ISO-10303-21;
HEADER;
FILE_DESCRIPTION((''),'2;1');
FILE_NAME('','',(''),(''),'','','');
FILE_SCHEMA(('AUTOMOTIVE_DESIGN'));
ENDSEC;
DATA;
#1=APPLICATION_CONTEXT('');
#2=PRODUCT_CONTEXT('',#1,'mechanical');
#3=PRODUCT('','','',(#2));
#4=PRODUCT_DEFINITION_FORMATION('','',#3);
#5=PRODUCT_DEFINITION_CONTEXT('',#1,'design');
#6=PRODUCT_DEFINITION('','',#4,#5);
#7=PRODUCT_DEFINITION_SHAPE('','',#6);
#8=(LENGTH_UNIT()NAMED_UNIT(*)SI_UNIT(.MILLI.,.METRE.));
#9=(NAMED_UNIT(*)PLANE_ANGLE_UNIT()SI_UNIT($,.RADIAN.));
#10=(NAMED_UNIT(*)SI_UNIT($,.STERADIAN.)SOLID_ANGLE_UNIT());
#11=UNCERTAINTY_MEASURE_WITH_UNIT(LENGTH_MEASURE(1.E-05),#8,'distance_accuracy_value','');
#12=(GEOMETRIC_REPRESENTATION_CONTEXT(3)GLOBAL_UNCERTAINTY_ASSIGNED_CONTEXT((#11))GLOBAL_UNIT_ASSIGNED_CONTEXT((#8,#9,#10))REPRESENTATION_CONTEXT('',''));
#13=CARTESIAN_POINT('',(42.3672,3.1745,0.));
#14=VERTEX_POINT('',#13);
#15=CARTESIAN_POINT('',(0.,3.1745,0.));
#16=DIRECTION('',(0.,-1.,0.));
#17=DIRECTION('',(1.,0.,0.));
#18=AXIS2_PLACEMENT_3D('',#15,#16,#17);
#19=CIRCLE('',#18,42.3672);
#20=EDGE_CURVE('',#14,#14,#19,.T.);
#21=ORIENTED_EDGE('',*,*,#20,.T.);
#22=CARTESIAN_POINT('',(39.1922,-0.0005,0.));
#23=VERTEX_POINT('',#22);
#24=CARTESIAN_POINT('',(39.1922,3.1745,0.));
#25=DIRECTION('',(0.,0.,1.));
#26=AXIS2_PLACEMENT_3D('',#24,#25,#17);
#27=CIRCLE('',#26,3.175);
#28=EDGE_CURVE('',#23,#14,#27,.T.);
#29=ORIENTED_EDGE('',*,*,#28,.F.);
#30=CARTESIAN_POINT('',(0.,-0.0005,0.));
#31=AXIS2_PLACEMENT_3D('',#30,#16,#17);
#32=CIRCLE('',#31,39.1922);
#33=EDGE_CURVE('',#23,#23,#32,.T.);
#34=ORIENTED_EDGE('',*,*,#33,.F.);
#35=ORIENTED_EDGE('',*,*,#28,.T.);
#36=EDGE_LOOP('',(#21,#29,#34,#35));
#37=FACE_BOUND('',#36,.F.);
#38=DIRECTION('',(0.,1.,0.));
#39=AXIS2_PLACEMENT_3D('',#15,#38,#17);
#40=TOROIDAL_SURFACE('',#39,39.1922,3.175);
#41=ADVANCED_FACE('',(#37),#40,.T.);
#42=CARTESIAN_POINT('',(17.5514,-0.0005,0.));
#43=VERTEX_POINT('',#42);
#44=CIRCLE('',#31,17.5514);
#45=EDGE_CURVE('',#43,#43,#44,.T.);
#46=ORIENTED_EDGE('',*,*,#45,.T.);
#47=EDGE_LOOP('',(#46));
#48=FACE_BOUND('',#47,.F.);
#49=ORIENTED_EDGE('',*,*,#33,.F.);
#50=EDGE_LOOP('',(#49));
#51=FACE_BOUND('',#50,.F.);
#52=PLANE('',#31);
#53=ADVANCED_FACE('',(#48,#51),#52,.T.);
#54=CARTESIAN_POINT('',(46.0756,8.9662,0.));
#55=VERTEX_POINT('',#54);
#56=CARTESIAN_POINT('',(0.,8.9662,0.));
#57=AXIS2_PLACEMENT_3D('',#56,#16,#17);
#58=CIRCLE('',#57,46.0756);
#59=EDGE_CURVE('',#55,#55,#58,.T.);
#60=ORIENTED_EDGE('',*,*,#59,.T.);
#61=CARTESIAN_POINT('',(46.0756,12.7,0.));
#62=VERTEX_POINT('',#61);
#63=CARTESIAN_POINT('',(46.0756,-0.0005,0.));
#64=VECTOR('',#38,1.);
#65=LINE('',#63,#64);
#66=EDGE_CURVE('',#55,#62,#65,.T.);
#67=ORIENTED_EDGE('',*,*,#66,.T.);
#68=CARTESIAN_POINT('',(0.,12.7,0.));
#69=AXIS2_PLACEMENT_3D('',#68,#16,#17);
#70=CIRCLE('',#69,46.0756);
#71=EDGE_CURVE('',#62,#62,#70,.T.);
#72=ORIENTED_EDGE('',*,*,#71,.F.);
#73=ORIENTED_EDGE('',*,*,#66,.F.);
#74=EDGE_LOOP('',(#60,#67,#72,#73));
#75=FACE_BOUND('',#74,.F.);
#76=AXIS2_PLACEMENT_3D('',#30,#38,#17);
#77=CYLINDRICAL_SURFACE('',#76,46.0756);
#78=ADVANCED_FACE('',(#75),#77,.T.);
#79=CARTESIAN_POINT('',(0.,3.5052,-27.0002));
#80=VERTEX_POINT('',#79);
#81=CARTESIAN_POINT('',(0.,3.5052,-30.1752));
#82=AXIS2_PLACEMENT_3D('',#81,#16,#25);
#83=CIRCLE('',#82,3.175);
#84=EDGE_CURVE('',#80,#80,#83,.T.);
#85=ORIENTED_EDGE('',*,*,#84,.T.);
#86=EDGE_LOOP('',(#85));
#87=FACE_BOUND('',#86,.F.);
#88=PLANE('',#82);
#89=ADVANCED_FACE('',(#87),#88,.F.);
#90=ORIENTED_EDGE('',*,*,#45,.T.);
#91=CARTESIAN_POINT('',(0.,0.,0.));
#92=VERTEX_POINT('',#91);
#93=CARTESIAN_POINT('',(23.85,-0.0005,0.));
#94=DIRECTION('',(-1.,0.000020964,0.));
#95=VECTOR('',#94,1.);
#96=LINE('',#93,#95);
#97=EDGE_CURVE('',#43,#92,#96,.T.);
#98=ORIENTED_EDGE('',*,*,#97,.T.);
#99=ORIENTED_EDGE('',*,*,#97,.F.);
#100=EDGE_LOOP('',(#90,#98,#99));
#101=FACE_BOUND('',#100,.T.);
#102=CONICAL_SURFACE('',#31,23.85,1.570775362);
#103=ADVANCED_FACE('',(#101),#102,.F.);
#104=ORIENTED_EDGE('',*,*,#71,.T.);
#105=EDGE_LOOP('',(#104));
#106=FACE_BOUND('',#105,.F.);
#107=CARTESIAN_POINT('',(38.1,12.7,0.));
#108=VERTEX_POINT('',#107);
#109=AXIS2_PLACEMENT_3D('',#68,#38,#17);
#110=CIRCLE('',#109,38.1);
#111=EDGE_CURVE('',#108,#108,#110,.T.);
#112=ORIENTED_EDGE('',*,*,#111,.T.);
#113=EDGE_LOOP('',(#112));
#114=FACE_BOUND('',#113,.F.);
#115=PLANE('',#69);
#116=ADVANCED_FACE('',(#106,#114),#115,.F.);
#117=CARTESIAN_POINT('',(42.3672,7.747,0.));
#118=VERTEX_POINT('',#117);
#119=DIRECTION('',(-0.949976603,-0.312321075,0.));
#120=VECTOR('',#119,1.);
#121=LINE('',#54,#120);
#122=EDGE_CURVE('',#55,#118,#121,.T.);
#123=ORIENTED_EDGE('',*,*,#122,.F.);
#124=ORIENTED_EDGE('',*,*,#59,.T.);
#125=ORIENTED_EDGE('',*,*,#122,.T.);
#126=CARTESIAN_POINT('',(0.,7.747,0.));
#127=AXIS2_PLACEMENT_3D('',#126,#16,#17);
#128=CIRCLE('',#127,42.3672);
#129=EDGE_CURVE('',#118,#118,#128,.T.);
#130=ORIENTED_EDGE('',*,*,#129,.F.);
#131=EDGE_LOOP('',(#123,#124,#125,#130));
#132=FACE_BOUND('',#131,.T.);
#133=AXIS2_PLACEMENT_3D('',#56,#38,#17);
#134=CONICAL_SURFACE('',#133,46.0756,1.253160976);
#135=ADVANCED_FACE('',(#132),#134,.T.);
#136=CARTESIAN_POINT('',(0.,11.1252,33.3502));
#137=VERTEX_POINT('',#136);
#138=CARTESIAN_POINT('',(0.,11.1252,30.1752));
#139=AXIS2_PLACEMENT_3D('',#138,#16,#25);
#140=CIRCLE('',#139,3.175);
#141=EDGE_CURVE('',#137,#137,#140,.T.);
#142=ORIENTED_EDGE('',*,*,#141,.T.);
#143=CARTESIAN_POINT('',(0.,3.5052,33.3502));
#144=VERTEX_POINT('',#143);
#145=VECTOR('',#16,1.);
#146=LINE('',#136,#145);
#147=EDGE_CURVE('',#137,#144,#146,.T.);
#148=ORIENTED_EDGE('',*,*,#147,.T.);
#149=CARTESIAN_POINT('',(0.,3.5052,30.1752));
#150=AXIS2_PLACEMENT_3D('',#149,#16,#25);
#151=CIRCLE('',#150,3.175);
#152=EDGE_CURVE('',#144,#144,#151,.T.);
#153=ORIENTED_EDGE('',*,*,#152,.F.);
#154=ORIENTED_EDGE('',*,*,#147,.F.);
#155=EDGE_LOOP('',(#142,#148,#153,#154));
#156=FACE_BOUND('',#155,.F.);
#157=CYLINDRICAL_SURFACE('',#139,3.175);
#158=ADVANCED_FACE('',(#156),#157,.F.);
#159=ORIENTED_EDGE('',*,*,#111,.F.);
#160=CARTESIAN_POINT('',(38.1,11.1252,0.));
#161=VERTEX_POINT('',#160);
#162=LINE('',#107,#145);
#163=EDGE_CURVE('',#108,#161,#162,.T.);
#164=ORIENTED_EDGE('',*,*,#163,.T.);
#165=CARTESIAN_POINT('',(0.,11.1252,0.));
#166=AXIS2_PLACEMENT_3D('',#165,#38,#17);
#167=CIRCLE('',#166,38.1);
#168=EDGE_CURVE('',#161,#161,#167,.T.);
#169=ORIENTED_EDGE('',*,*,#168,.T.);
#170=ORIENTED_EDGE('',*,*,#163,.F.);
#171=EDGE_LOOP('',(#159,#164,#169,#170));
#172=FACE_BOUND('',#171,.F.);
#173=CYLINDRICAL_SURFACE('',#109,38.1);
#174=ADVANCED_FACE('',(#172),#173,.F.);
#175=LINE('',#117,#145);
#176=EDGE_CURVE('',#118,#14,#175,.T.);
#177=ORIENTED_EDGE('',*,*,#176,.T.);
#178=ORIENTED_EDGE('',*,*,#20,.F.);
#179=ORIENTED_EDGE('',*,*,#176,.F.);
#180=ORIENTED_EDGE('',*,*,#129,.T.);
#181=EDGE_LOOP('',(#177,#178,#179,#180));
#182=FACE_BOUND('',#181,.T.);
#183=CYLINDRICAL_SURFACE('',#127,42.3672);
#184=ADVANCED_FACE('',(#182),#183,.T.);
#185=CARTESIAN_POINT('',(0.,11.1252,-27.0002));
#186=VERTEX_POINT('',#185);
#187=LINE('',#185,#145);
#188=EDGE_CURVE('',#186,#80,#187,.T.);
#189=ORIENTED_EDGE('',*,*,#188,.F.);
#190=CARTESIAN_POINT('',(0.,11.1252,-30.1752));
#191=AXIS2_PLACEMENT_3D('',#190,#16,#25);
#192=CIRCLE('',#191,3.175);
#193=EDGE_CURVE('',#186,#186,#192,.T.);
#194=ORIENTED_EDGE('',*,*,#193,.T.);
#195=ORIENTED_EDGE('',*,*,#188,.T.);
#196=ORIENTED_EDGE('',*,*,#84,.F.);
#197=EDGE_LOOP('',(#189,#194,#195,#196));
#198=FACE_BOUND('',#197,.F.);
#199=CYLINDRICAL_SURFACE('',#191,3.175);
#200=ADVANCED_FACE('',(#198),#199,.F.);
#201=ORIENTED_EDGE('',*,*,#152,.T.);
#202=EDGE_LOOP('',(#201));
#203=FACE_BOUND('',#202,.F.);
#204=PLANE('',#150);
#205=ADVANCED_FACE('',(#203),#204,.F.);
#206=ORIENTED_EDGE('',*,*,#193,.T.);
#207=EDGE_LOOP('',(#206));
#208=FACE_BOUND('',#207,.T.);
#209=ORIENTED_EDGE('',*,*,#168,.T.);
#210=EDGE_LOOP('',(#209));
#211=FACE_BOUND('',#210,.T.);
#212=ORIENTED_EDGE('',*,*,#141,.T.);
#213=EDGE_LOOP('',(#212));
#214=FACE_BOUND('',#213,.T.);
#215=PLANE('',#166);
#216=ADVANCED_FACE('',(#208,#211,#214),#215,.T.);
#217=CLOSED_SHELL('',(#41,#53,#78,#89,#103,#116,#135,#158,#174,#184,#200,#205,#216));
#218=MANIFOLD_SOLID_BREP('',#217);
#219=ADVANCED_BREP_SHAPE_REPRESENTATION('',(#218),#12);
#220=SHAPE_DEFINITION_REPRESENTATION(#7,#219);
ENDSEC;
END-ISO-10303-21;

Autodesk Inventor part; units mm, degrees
ref_plane "YZ Plane" through (0, 0, 0) normal (1, 0, 0) x (0, 1, 0)
ref_plane "XZ Plane" through (0, 0, 0) normal (0, 1, 0) x (-1, 0, 0)
ref_plane "XY Plane" through (0, 0, 0) normal (0, 0, 1) x (1, 0, 0)
sketch "Sketch1" plane through (0, 0, 0) normal (0, 0, 1) x (1, 0, 0)
  line L0 (23.85, -0.0005) -> (46.0756, -0.0005)
  line L1 (46.0756, -0.0005) -> (46.0756, 12.7)
  line L2 (46.0756, 12.7) -> (0, 12.7)
  line L3 (0, 12.7) -> (0, 0)
  line L4 (17.5514, 12.7) -> (17.5514, -0.0005)
  line L5 (46.0756, 8.9662) -> (42.3672, 8.9662)
  line L6 (42.3672, 7.747) -> (42.3672, -0.0005)
  line L7 (46.0756, 7.747) -> (42.3672, 7.747)
  line L8 (46.0756, 8.9662) -> (42.3672, 7.747)
  line L9 (0, 11.1252) -> (0, 12.7)
  line L10 (17.5514, -0.0005) -> (23.85, -0.0005)
  line L11 (23.85, -0.0005) -> (23.85, -0.0005)
  line L12 (23.85, -0.0005) -> (0, -0.0005)
  line L13 (0, -0.0005) -> (0, 0)
  point P0 (17.5514, -0.0005)
  dimension "d0" = 46.0756
  dimension "d1" = 12.7
  dimension "d2" = 17.5514
  dimension "d3" = 3.7338
  dimension "d4" = 42.3672
  dimension "d6" = 4.953
  dimension "d14" = 23.85
  dimension "d15" = 0
revolve "Revolution1" add sketch "Sketch1" angle 360 about axis through (0, 12.7, 0) along (0, -1, 0) contours L10 L4 L2 L1 L8 L6 L0 | L12 L3 L2 L4
sketch "Sketch2" plane through (0, 12.7, 0) normal (0, 1, 0) x (1, 0, 0)
  circle A0 centre (0, 0) radius 38.1
  point P0 (0, 0)
  dimension "d11" = 76.2
extrude "Extrusion1" cut sketch "Sketch2" against normal blind 1.5748
sketch "Sketch5" plane through (0, 11.1252, 0) normal (0, 1, 0) x (1, 0, 0)
  circle A0 centre (0, 0) radius 30.1752
  point P0 (0, 0)
  point P1 (0, 30.1752)
  point P2 (0, -30.1752)
  dimension "d35" = 60.3504
hole "Hole3" at (0, 11.1252, -30.1752) at (0, 11.1252, 30.1752) direction (0, -1, 0) diameter 6.35 depth 7.62
fillet "Fillet1" radius 3.175 1 edges at (-42.3672, -0.0005, 0)
properties part number "2016.06.09 Mount Adapter Blank"
